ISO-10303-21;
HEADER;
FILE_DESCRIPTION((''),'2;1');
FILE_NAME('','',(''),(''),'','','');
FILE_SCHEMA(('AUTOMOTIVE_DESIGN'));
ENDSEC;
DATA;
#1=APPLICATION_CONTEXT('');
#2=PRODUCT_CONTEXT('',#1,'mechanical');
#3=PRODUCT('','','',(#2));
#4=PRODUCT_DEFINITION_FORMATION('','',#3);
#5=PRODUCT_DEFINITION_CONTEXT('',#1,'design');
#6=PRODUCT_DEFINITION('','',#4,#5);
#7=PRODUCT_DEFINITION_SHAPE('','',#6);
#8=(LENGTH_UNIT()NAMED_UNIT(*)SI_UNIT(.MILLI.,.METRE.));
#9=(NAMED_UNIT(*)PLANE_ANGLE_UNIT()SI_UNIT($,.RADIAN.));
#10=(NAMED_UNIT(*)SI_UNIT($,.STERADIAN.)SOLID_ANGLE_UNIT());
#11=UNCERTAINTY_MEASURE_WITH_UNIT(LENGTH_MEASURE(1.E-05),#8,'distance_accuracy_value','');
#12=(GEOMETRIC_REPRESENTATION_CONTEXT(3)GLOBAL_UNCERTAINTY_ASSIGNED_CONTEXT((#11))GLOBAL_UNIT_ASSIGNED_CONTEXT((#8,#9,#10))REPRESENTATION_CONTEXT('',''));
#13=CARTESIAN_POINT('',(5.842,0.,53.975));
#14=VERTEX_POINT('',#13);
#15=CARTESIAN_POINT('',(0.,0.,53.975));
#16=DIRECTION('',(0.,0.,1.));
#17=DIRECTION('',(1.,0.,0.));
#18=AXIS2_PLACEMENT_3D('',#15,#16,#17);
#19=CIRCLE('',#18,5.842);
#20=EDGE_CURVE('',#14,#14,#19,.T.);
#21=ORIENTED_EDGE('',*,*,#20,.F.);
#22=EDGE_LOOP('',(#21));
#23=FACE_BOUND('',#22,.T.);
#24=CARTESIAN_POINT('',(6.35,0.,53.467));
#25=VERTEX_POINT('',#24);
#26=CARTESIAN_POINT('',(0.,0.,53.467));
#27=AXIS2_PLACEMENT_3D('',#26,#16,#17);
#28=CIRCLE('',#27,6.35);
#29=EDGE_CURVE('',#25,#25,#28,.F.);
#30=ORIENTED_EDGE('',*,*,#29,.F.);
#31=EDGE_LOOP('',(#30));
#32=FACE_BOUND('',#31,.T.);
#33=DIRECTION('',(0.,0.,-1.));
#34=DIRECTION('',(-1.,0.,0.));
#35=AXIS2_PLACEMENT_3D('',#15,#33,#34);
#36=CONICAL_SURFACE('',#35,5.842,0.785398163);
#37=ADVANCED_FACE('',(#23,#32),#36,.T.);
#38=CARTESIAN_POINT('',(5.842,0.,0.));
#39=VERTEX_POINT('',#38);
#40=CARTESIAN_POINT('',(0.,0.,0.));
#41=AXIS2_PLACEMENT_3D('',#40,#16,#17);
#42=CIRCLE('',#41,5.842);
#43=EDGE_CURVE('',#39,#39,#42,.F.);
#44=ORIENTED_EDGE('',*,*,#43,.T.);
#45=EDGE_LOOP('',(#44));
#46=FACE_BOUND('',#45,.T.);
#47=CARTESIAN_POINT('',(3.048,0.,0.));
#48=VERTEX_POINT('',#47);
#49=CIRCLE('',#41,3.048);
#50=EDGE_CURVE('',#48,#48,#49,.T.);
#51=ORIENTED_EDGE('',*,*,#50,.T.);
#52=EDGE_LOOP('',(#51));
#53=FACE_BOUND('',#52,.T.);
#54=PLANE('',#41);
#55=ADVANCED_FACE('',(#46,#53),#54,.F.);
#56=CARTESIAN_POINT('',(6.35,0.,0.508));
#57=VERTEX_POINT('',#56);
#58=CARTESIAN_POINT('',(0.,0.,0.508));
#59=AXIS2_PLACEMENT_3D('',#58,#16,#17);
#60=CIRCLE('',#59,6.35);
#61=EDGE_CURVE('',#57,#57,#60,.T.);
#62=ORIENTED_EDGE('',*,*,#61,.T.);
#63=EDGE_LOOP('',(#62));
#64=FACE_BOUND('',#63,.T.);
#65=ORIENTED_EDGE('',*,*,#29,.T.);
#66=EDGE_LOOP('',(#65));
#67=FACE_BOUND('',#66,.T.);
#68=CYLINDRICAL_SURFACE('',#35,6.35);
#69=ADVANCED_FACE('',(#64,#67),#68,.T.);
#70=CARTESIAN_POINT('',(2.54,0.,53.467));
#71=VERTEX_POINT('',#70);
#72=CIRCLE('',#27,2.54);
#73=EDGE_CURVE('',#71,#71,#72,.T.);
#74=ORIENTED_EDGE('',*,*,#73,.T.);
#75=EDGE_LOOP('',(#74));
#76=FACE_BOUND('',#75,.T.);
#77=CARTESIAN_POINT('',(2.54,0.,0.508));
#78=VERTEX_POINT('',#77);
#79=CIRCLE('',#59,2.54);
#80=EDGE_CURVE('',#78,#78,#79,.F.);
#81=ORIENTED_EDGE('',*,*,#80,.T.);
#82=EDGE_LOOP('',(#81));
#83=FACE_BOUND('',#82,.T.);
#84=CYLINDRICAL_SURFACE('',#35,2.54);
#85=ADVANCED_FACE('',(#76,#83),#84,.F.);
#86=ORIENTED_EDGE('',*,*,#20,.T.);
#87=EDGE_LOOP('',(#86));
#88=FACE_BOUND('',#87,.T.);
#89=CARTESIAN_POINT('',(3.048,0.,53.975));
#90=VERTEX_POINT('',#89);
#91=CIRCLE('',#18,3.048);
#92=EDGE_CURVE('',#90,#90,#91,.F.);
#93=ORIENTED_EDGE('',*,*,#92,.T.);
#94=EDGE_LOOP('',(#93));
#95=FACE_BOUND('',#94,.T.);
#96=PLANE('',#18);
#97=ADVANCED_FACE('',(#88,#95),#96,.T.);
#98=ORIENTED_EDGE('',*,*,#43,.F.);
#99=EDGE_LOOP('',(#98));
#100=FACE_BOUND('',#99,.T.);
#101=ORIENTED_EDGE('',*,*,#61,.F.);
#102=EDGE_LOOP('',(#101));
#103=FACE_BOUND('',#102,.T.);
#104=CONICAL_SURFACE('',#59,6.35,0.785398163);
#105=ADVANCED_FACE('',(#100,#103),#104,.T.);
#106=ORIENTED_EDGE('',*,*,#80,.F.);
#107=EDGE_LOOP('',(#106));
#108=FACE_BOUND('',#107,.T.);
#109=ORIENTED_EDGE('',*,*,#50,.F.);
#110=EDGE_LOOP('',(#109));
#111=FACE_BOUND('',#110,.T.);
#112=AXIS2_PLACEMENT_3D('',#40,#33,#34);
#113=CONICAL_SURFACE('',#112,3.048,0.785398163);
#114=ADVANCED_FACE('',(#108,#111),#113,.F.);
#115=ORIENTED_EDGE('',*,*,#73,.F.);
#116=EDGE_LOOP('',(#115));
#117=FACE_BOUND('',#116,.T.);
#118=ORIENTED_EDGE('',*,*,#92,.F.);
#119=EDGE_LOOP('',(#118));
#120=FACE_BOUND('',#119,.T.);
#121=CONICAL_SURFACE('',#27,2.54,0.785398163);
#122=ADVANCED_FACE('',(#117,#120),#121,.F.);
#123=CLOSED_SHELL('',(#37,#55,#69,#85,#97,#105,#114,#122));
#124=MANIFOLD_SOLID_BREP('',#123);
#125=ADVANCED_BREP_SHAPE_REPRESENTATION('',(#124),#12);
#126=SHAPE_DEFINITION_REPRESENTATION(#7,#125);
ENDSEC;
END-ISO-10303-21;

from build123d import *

# Parameters (mm, degrees)
SKETCH1_R           = 6.35
SKETCH1_R_2         = 2.54
BOSS_EXTRUDE1_DEPTH = 53.975
CHAMFER1_SIZE       = 0.508


with BuildPart() as part:
    # Sketch1 → Boss-Extrude1 (new body)
    with BuildSketch(Plane.XY):
        Circle(SKETCH1_R)
        Circle(SKETCH1_R_2, mode=Mode.SUBTRACT)
    extrude(amount=BOSS_EXTRUDE1_DEPTH)

    # Chamfer1
    chamfer1_edges = [part.edges().sort_by_distance(p)[0] for p in [
        (-6.35, 0, 0),
        (-6.35, 0, 53.975),
        (-2.54, 0, 0),
        (-2.54, 0, 53.975),
    ]]
    chamfer(chamfer1_edges, length=CHAMFER1_SIZE)


solid = part.part
